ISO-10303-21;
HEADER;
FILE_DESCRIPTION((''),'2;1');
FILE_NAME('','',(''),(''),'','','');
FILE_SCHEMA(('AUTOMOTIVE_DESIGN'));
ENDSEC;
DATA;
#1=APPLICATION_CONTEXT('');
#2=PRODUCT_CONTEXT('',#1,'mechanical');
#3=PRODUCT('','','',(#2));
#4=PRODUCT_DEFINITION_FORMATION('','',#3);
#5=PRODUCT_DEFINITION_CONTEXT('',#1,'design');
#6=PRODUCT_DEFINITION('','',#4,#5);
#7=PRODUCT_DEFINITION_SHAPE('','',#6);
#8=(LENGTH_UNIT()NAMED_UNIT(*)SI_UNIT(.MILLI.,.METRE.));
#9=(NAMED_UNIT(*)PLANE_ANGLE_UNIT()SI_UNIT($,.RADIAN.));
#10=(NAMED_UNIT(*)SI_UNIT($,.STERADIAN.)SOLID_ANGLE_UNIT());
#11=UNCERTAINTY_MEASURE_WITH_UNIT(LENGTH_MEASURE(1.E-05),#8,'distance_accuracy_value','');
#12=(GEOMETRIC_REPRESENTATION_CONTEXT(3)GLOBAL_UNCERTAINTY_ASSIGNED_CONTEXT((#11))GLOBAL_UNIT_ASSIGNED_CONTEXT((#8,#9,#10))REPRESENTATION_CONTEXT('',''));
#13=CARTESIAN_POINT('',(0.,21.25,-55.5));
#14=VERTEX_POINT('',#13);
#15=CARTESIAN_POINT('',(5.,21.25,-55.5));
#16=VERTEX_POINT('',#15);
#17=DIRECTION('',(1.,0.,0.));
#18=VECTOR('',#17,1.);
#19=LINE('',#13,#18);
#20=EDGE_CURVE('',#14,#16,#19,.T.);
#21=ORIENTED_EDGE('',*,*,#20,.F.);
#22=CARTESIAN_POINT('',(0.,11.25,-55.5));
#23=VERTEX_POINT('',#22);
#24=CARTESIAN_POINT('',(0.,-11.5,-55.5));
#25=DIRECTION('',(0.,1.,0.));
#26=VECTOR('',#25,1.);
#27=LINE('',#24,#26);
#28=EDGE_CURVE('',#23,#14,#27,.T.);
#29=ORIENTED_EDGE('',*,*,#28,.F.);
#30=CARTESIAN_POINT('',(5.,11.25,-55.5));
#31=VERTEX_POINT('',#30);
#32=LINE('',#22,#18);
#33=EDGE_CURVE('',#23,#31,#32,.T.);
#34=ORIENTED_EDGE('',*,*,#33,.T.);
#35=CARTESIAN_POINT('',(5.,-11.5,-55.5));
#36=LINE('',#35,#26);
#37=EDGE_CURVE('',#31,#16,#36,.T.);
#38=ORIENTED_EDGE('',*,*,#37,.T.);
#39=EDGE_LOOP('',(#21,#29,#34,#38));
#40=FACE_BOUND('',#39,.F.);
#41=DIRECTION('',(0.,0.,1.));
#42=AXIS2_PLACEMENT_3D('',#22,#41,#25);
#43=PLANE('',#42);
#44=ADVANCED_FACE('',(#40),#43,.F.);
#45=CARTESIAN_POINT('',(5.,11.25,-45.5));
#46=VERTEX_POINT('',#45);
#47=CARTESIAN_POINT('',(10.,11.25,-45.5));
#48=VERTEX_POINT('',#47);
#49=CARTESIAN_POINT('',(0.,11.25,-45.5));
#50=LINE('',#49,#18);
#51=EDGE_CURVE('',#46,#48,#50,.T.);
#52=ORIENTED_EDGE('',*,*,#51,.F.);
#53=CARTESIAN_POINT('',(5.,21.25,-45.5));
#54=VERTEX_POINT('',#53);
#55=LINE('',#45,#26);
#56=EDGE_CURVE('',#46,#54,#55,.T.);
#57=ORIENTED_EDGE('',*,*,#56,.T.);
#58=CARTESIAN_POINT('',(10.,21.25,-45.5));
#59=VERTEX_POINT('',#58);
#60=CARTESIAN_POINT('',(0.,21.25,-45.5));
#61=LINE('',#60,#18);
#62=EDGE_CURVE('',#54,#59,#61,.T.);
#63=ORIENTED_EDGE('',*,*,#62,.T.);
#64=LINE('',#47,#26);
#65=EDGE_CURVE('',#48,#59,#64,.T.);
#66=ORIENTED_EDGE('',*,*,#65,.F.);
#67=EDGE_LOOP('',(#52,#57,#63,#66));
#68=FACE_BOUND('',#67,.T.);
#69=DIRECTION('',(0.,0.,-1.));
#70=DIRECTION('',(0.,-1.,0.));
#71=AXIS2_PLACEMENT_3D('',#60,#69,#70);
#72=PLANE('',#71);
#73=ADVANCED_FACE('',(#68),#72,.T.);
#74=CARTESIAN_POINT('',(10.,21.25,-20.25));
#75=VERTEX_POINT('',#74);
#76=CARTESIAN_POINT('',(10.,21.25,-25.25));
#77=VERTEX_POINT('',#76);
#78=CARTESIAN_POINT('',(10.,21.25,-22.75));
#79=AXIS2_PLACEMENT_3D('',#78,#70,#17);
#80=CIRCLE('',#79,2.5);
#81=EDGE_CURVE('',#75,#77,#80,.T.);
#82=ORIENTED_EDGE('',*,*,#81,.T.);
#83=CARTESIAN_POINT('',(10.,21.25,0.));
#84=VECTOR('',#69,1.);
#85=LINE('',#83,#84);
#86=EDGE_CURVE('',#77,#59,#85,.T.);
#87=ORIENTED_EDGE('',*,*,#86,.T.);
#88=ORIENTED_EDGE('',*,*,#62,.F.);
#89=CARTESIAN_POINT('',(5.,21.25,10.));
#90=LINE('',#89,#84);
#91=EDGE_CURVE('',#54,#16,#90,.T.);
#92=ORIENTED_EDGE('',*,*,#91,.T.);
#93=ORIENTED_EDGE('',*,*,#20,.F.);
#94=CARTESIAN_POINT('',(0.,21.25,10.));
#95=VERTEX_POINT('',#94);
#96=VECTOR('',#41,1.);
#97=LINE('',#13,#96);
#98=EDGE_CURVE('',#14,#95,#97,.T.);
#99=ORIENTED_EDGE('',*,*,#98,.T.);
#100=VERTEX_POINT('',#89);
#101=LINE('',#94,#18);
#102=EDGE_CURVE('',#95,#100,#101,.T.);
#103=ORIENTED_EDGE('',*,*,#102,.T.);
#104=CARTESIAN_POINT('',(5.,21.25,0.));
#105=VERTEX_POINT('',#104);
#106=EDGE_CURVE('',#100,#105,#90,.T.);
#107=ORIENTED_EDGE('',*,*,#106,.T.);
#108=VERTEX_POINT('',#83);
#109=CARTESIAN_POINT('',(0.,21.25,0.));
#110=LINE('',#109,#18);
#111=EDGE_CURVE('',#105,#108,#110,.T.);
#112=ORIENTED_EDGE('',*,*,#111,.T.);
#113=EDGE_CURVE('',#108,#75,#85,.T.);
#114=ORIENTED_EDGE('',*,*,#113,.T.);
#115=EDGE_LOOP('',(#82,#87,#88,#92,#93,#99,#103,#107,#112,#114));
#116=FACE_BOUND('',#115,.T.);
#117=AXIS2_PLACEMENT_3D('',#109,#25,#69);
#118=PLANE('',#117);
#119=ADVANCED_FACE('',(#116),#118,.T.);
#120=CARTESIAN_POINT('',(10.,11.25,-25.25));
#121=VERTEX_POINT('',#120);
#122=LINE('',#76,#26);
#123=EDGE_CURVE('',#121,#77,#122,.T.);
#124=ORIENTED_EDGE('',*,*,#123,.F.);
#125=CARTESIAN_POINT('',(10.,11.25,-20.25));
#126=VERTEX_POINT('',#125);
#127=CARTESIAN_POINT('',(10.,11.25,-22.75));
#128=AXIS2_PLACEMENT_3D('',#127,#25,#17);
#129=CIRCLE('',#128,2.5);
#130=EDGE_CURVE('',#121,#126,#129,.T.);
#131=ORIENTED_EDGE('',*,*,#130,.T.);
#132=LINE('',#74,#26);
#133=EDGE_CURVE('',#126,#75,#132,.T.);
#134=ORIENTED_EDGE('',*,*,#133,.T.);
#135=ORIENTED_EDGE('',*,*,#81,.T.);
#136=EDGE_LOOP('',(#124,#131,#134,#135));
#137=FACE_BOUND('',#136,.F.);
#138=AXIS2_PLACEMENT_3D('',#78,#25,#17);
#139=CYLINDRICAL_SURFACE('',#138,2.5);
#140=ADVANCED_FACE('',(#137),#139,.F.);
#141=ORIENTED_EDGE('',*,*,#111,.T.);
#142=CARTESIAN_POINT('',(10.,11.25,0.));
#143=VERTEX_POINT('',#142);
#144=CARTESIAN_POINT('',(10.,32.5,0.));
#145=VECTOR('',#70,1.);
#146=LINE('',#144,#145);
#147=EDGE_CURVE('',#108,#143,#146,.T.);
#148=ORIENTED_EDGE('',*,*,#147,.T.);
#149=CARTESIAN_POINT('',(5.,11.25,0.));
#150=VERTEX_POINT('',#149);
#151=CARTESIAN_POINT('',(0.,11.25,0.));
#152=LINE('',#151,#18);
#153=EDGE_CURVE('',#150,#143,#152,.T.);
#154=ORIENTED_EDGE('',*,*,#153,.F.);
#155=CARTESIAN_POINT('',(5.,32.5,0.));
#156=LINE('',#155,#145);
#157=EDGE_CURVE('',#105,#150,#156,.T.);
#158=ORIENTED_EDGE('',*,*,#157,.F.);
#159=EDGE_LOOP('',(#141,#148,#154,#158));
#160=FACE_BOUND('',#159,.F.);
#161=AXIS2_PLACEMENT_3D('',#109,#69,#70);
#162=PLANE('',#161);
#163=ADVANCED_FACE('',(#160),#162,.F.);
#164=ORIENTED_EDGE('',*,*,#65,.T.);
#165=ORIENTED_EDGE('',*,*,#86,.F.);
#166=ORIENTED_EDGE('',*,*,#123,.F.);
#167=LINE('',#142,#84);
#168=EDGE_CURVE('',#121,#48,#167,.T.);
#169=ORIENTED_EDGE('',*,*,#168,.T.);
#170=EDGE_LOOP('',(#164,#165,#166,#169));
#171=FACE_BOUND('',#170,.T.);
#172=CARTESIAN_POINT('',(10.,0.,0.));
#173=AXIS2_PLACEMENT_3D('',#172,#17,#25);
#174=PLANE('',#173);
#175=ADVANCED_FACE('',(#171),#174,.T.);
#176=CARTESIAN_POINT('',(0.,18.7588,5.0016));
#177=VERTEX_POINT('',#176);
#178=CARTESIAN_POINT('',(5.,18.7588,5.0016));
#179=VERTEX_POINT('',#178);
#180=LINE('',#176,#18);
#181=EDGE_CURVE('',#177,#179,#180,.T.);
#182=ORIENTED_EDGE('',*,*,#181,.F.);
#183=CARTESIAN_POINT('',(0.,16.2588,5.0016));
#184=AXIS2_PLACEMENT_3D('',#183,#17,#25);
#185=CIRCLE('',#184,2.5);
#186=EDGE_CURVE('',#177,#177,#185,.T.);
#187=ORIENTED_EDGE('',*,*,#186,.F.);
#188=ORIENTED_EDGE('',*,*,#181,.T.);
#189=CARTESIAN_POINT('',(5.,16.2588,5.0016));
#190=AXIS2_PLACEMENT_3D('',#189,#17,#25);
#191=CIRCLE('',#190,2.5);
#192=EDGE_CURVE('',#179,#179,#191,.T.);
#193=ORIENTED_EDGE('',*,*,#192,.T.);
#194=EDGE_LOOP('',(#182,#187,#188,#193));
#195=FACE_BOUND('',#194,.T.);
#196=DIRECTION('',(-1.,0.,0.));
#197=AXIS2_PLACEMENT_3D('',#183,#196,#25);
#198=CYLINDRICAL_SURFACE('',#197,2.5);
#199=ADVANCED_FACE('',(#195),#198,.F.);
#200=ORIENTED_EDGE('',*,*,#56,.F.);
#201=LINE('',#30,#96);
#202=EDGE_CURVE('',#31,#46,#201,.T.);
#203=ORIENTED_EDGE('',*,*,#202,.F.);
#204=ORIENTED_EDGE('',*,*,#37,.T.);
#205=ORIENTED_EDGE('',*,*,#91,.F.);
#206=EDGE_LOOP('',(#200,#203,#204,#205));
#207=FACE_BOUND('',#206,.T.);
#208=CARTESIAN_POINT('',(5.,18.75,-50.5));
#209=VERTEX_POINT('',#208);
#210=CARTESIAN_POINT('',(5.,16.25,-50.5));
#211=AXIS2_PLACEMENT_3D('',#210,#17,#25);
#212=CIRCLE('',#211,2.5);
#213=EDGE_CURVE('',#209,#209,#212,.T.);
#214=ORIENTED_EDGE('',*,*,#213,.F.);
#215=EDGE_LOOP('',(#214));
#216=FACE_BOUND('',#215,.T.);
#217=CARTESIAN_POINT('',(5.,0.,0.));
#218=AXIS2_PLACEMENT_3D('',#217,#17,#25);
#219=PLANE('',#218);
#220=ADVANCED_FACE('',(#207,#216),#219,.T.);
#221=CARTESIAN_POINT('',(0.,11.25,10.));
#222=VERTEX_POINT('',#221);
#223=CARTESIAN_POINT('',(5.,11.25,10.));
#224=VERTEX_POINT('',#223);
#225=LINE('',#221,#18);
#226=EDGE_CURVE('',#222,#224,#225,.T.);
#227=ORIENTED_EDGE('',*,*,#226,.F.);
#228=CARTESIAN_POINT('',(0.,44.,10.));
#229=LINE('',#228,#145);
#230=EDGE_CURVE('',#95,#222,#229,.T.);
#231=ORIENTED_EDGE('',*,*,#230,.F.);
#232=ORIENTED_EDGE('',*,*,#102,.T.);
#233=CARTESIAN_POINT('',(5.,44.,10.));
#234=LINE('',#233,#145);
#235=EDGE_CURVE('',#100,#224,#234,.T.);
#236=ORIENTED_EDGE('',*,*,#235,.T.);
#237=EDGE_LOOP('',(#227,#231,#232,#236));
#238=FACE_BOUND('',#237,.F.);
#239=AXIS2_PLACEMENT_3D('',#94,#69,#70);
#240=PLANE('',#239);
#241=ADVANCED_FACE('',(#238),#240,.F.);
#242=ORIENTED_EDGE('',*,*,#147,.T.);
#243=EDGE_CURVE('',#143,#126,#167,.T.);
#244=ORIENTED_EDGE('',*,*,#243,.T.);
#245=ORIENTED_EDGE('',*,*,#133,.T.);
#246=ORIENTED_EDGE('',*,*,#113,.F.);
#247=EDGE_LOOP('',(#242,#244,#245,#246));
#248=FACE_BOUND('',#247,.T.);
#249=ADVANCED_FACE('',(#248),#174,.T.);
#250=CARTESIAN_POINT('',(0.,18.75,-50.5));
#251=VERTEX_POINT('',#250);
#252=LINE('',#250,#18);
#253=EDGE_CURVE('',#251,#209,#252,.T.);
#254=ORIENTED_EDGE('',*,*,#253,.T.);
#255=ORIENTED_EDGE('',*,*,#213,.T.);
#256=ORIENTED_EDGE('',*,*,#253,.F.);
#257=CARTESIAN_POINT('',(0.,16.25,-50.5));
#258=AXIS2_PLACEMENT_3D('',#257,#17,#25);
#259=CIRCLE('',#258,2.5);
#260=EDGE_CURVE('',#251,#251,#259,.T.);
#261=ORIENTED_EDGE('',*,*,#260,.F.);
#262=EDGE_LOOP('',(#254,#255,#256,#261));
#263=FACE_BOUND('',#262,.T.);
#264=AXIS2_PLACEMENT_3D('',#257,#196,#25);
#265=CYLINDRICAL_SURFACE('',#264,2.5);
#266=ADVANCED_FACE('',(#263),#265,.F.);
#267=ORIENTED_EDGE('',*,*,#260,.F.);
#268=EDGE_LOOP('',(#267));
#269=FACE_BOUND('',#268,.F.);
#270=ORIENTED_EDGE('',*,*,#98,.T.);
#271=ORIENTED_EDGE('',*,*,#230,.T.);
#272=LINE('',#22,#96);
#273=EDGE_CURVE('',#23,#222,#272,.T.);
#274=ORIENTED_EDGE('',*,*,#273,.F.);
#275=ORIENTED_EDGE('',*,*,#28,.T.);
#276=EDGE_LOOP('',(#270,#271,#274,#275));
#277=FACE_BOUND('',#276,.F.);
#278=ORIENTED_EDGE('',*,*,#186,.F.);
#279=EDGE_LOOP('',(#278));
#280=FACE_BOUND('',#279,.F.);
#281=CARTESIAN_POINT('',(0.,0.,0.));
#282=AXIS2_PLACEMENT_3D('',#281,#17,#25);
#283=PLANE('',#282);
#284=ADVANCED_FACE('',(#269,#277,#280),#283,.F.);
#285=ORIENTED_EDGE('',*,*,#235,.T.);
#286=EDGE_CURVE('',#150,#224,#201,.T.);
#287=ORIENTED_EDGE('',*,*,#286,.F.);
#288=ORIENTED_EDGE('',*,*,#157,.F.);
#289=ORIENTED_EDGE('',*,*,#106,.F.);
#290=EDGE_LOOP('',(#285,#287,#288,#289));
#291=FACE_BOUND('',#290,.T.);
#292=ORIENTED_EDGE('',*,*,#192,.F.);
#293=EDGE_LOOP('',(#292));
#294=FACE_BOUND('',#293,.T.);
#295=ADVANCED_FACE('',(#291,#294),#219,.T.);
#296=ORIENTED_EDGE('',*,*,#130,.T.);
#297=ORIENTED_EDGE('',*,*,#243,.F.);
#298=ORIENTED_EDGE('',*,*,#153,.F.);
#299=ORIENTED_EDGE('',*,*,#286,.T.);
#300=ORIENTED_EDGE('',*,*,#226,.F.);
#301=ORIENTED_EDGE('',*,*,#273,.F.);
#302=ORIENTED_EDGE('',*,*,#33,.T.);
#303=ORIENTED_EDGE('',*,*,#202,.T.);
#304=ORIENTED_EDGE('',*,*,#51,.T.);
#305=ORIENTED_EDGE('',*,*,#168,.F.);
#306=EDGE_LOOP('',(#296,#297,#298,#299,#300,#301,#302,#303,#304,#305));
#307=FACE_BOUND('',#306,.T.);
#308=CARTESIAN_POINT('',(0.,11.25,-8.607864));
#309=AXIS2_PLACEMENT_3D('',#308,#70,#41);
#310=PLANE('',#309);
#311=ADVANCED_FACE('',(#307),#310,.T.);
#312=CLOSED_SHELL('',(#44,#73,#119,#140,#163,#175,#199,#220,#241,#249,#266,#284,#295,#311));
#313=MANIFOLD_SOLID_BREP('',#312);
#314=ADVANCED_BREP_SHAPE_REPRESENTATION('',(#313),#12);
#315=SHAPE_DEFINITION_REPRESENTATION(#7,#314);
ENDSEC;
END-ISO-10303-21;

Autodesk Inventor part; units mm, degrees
ref_plane "YZ Plane" through (0, 0, 0) normal (1, 0, 0) x (0, 1, 0)
ref_plane "XZ Plane" through (0, 0, 0) normal (0, 1, 0) x (-1, 0, 0)
ref_plane "XY Plane" through (0, 0, 0) normal (0, 0, 1) x (1, 0, 0)
sketch "Sketch1" plane through (0, 0, 0) normal (1, 0, 0) x (0, 1, 0)
  line L0 (-6, -12.5) -> (-6, -12.9)
  arc A0 (-6, -12.9) -> (-5.6, -13.3) centre (-5.6, -12.9) ccw
  line L1 (-5.6, -13.3) -> (-4.9, -13.3)
  arc A1 (-4.9, -13.3) -> (-4.7, -13.1) centre (-4.9, -13.1) ccw
  line L2 (-4.7, -13.1) -> (-4.7, -12.85)
  arc A2 (-4.5, -12.65) -> (-4.7, -12.85) centre (-4.5, -12.85) ccw
  line L3 (-4.5, -12.65) -> (-1.8, -12.65)
  arc A3 (-1.4, -13.05) -> (-1.8, -12.65) centre (-1.8, -13.05) ccw
  line L4 (-1.4, -13.05) -> (-1.4, -18.75)
  line L5 (-1.8, -19.15) -> (-4.5, -19.15)
  arc A4 (-1.8, -19.15) -> (-1.4, -18.75) centre (-1.8, -18.75) ccw
  arc A5 (-4.7, -18.95) -> (-4.5, -19.15) centre (-4.5, -18.95) ccw
  line L6 (-4.7, -18.95) -> (-4.7, -18.7)
  arc A6 (-4.7, -18.7) -> (-4.9, -18.5) centre (-4.9, -18.7) ccw
  line L7 (-4.9, -18.5) -> (-5.6, -18.5)
  arc A7 (-5.6, -18.5) -> (-6, -18.9) centre (-5.6, -18.9) ccw
  line L8 (-6, -18.9) -> (-6, -19.5)
  line L9 (-6.5, -6.5) -> (-6.5, -12.5)
  line L10 (-6.5, -12.5) -> (-2.5, -12.5)
  line L11 (-1.05, -19.5) -> (-6.5, -19.5)
  line L12 (-6.5, -19.5) -> (-6.5, -26)
  line L13 (-6.5, -26) -> (-1.05, -26)
  line L14 (-6, -26) -> (-6, -26.6)
  arc A8 (-6, -26.6) -> (-5.6, -27) centre (-5.6, -26.6) ccw
  line L15 (-5.6, -27) -> (-4.9, -27)
  arc A9 (-4.9, -27) -> (-4.7, -26.8) centre (-4.9, -26.8) ccw
  arc A10 (-4.5, -26.35) -> (-4.7, -26.55) centre (-4.5, -26.55) ccw
  line L16 (-4.7, -26.8) -> (-4.7, -26.55)
  line L17 (-4.5, -26.35) -> (-1.8, -26.35)
  arc A11 (-1.4, -26.75) -> (-1.8, -26.35) centre (-1.8, -26.75) ccw
  line L18 (-1.4, -26.75) -> (-1.4, -32.45)
  arc A12 (-1.8, -32.85) -> (-1.4, -32.45) centre (-1.8, -32.45) ccw
  line L19 (-1.8, -32.85) -> (-4.5, -32.85)
  arc A13 (-4.7, -32.65) -> (-4.5, -32.85) centre (-4.5, -32.65) ccw
  line L20 (-4.7, -32.65) -> (-4.7, -32.4)
  arc A14 (-4.7, -32.4) -> (-4.9, -32.2) centre (-4.9, -32.4) ccw
  line L21 (-4.9, -32.2) -> (-5.6, -32.2)
  arc A15 (-5.6, -32.2) -> (-6, -32.6) centre (-5.6, -32.6) ccw
  line L22 (-6, -32.6) -> (-6, -33)
  line L23 (-2.5, -33) -> (-6.5, -33)
  line L24 (-6.5, -33) -> (-6.5, -39)
  line L25 (32.5, 0) -> (0, 0)
  circle A16 centre (0, -6.5) radius 4.75
  circle A17 centre (32.5, -6.5) radius 4.75
  circle A18 centre (0, -39) radius 4.75
  circle A19 centre (32.5, -39) radius 4.75
  line L26 (39, -26) -> (39, -19.5)
  line L27 (39, -12.5) -> (39, -6.5)
  line L28 (39, -39) -> (39, -33)
  line L29 (26.5, -45.5) -> (32.5, -45.5)
  line L30 (0, -45.5) -> (6, -45.5)
  line L31 (13, -45.5) -> (19.5, -45.5)
  circle A20 centre (16.25, -22.75) radius 15
  circle A21 centre (16.2588, 5.0016) radius 2.5
  circle A22 centre (16.25, -50.5) radius 2.5
  circle A23 centre (16.25, -22.75) radius 5
  circle A24 centre (16.25, -22.75) radius 8.45
  line L32 (24.75, -27.6575) -> (24.75, -17.8425)
  line L33 (44, 10) -> (-11.5, 10)
  line L34 (-11.5, 10) -> (-11.5, -55.5)
  line L35 (-11.5, -55.5) -> (44, -55.5)
  line L36 (44, -55.5) -> (44, 10)
  line L37 (-11.5, 30) -> (44, 30)
  line L38 (-11.5, -75.5) -> (-11.5, 30)
  line L39 (44, 30) -> (44, -75.5)
  line L40 (44, -75.5) -> (-11.5, -75.5)
  circle A25 centre (16.25, -65.5) radius 5
  circle A26 centre (16.25, 20) radius 5
  arc A27 (11.25, -55.5) -> (21.25, -55.5) centre (16.25, -55.5) ccw
  line L41 (21.25, 10) -> (21.25, -55.5)
  line L42 (11.25, -55.5) -> (11.25, 10)
  arc A28 (21.25, 10) -> (11.25, 10) centre (16.25, 10) ccw
  line L43 (21.25, -45.5) -> (11.25, -45.5)
  point P0 (21.25, 0)
  point P1 (11.25, 0)
extrude "Extrusion1" add sketch "Sketch1" along normal blind 10 contours L41 A20 L42 L25 | L41 A24 L42 A20 | L41 A23 L42 A24 | L42 A24 L41 A20 | A20 L41 L43 L31 L42 | A23 | L41 A24 L42 A23
extrude "Extrusion2" add sketch "Sketch1" along normal blind 5 contours L25 L42 L33 L41 | L43 L31 L41 L35 L42
sketch "Sketch4" plane through (10, 21.25, 0) normal (0, 1, 0) x (1, 0, 0)
  line L0 (0, 45.5) -> (0, 0) projected
  circle A0 centre (0, 22.75) radius 2.5
  point P0 (-10, 0)
  dimension "d7" = 5
extrude "Extrusion4" cut sketch "Sketch4" against normal blind 10
properties part number "Cuchilla"
